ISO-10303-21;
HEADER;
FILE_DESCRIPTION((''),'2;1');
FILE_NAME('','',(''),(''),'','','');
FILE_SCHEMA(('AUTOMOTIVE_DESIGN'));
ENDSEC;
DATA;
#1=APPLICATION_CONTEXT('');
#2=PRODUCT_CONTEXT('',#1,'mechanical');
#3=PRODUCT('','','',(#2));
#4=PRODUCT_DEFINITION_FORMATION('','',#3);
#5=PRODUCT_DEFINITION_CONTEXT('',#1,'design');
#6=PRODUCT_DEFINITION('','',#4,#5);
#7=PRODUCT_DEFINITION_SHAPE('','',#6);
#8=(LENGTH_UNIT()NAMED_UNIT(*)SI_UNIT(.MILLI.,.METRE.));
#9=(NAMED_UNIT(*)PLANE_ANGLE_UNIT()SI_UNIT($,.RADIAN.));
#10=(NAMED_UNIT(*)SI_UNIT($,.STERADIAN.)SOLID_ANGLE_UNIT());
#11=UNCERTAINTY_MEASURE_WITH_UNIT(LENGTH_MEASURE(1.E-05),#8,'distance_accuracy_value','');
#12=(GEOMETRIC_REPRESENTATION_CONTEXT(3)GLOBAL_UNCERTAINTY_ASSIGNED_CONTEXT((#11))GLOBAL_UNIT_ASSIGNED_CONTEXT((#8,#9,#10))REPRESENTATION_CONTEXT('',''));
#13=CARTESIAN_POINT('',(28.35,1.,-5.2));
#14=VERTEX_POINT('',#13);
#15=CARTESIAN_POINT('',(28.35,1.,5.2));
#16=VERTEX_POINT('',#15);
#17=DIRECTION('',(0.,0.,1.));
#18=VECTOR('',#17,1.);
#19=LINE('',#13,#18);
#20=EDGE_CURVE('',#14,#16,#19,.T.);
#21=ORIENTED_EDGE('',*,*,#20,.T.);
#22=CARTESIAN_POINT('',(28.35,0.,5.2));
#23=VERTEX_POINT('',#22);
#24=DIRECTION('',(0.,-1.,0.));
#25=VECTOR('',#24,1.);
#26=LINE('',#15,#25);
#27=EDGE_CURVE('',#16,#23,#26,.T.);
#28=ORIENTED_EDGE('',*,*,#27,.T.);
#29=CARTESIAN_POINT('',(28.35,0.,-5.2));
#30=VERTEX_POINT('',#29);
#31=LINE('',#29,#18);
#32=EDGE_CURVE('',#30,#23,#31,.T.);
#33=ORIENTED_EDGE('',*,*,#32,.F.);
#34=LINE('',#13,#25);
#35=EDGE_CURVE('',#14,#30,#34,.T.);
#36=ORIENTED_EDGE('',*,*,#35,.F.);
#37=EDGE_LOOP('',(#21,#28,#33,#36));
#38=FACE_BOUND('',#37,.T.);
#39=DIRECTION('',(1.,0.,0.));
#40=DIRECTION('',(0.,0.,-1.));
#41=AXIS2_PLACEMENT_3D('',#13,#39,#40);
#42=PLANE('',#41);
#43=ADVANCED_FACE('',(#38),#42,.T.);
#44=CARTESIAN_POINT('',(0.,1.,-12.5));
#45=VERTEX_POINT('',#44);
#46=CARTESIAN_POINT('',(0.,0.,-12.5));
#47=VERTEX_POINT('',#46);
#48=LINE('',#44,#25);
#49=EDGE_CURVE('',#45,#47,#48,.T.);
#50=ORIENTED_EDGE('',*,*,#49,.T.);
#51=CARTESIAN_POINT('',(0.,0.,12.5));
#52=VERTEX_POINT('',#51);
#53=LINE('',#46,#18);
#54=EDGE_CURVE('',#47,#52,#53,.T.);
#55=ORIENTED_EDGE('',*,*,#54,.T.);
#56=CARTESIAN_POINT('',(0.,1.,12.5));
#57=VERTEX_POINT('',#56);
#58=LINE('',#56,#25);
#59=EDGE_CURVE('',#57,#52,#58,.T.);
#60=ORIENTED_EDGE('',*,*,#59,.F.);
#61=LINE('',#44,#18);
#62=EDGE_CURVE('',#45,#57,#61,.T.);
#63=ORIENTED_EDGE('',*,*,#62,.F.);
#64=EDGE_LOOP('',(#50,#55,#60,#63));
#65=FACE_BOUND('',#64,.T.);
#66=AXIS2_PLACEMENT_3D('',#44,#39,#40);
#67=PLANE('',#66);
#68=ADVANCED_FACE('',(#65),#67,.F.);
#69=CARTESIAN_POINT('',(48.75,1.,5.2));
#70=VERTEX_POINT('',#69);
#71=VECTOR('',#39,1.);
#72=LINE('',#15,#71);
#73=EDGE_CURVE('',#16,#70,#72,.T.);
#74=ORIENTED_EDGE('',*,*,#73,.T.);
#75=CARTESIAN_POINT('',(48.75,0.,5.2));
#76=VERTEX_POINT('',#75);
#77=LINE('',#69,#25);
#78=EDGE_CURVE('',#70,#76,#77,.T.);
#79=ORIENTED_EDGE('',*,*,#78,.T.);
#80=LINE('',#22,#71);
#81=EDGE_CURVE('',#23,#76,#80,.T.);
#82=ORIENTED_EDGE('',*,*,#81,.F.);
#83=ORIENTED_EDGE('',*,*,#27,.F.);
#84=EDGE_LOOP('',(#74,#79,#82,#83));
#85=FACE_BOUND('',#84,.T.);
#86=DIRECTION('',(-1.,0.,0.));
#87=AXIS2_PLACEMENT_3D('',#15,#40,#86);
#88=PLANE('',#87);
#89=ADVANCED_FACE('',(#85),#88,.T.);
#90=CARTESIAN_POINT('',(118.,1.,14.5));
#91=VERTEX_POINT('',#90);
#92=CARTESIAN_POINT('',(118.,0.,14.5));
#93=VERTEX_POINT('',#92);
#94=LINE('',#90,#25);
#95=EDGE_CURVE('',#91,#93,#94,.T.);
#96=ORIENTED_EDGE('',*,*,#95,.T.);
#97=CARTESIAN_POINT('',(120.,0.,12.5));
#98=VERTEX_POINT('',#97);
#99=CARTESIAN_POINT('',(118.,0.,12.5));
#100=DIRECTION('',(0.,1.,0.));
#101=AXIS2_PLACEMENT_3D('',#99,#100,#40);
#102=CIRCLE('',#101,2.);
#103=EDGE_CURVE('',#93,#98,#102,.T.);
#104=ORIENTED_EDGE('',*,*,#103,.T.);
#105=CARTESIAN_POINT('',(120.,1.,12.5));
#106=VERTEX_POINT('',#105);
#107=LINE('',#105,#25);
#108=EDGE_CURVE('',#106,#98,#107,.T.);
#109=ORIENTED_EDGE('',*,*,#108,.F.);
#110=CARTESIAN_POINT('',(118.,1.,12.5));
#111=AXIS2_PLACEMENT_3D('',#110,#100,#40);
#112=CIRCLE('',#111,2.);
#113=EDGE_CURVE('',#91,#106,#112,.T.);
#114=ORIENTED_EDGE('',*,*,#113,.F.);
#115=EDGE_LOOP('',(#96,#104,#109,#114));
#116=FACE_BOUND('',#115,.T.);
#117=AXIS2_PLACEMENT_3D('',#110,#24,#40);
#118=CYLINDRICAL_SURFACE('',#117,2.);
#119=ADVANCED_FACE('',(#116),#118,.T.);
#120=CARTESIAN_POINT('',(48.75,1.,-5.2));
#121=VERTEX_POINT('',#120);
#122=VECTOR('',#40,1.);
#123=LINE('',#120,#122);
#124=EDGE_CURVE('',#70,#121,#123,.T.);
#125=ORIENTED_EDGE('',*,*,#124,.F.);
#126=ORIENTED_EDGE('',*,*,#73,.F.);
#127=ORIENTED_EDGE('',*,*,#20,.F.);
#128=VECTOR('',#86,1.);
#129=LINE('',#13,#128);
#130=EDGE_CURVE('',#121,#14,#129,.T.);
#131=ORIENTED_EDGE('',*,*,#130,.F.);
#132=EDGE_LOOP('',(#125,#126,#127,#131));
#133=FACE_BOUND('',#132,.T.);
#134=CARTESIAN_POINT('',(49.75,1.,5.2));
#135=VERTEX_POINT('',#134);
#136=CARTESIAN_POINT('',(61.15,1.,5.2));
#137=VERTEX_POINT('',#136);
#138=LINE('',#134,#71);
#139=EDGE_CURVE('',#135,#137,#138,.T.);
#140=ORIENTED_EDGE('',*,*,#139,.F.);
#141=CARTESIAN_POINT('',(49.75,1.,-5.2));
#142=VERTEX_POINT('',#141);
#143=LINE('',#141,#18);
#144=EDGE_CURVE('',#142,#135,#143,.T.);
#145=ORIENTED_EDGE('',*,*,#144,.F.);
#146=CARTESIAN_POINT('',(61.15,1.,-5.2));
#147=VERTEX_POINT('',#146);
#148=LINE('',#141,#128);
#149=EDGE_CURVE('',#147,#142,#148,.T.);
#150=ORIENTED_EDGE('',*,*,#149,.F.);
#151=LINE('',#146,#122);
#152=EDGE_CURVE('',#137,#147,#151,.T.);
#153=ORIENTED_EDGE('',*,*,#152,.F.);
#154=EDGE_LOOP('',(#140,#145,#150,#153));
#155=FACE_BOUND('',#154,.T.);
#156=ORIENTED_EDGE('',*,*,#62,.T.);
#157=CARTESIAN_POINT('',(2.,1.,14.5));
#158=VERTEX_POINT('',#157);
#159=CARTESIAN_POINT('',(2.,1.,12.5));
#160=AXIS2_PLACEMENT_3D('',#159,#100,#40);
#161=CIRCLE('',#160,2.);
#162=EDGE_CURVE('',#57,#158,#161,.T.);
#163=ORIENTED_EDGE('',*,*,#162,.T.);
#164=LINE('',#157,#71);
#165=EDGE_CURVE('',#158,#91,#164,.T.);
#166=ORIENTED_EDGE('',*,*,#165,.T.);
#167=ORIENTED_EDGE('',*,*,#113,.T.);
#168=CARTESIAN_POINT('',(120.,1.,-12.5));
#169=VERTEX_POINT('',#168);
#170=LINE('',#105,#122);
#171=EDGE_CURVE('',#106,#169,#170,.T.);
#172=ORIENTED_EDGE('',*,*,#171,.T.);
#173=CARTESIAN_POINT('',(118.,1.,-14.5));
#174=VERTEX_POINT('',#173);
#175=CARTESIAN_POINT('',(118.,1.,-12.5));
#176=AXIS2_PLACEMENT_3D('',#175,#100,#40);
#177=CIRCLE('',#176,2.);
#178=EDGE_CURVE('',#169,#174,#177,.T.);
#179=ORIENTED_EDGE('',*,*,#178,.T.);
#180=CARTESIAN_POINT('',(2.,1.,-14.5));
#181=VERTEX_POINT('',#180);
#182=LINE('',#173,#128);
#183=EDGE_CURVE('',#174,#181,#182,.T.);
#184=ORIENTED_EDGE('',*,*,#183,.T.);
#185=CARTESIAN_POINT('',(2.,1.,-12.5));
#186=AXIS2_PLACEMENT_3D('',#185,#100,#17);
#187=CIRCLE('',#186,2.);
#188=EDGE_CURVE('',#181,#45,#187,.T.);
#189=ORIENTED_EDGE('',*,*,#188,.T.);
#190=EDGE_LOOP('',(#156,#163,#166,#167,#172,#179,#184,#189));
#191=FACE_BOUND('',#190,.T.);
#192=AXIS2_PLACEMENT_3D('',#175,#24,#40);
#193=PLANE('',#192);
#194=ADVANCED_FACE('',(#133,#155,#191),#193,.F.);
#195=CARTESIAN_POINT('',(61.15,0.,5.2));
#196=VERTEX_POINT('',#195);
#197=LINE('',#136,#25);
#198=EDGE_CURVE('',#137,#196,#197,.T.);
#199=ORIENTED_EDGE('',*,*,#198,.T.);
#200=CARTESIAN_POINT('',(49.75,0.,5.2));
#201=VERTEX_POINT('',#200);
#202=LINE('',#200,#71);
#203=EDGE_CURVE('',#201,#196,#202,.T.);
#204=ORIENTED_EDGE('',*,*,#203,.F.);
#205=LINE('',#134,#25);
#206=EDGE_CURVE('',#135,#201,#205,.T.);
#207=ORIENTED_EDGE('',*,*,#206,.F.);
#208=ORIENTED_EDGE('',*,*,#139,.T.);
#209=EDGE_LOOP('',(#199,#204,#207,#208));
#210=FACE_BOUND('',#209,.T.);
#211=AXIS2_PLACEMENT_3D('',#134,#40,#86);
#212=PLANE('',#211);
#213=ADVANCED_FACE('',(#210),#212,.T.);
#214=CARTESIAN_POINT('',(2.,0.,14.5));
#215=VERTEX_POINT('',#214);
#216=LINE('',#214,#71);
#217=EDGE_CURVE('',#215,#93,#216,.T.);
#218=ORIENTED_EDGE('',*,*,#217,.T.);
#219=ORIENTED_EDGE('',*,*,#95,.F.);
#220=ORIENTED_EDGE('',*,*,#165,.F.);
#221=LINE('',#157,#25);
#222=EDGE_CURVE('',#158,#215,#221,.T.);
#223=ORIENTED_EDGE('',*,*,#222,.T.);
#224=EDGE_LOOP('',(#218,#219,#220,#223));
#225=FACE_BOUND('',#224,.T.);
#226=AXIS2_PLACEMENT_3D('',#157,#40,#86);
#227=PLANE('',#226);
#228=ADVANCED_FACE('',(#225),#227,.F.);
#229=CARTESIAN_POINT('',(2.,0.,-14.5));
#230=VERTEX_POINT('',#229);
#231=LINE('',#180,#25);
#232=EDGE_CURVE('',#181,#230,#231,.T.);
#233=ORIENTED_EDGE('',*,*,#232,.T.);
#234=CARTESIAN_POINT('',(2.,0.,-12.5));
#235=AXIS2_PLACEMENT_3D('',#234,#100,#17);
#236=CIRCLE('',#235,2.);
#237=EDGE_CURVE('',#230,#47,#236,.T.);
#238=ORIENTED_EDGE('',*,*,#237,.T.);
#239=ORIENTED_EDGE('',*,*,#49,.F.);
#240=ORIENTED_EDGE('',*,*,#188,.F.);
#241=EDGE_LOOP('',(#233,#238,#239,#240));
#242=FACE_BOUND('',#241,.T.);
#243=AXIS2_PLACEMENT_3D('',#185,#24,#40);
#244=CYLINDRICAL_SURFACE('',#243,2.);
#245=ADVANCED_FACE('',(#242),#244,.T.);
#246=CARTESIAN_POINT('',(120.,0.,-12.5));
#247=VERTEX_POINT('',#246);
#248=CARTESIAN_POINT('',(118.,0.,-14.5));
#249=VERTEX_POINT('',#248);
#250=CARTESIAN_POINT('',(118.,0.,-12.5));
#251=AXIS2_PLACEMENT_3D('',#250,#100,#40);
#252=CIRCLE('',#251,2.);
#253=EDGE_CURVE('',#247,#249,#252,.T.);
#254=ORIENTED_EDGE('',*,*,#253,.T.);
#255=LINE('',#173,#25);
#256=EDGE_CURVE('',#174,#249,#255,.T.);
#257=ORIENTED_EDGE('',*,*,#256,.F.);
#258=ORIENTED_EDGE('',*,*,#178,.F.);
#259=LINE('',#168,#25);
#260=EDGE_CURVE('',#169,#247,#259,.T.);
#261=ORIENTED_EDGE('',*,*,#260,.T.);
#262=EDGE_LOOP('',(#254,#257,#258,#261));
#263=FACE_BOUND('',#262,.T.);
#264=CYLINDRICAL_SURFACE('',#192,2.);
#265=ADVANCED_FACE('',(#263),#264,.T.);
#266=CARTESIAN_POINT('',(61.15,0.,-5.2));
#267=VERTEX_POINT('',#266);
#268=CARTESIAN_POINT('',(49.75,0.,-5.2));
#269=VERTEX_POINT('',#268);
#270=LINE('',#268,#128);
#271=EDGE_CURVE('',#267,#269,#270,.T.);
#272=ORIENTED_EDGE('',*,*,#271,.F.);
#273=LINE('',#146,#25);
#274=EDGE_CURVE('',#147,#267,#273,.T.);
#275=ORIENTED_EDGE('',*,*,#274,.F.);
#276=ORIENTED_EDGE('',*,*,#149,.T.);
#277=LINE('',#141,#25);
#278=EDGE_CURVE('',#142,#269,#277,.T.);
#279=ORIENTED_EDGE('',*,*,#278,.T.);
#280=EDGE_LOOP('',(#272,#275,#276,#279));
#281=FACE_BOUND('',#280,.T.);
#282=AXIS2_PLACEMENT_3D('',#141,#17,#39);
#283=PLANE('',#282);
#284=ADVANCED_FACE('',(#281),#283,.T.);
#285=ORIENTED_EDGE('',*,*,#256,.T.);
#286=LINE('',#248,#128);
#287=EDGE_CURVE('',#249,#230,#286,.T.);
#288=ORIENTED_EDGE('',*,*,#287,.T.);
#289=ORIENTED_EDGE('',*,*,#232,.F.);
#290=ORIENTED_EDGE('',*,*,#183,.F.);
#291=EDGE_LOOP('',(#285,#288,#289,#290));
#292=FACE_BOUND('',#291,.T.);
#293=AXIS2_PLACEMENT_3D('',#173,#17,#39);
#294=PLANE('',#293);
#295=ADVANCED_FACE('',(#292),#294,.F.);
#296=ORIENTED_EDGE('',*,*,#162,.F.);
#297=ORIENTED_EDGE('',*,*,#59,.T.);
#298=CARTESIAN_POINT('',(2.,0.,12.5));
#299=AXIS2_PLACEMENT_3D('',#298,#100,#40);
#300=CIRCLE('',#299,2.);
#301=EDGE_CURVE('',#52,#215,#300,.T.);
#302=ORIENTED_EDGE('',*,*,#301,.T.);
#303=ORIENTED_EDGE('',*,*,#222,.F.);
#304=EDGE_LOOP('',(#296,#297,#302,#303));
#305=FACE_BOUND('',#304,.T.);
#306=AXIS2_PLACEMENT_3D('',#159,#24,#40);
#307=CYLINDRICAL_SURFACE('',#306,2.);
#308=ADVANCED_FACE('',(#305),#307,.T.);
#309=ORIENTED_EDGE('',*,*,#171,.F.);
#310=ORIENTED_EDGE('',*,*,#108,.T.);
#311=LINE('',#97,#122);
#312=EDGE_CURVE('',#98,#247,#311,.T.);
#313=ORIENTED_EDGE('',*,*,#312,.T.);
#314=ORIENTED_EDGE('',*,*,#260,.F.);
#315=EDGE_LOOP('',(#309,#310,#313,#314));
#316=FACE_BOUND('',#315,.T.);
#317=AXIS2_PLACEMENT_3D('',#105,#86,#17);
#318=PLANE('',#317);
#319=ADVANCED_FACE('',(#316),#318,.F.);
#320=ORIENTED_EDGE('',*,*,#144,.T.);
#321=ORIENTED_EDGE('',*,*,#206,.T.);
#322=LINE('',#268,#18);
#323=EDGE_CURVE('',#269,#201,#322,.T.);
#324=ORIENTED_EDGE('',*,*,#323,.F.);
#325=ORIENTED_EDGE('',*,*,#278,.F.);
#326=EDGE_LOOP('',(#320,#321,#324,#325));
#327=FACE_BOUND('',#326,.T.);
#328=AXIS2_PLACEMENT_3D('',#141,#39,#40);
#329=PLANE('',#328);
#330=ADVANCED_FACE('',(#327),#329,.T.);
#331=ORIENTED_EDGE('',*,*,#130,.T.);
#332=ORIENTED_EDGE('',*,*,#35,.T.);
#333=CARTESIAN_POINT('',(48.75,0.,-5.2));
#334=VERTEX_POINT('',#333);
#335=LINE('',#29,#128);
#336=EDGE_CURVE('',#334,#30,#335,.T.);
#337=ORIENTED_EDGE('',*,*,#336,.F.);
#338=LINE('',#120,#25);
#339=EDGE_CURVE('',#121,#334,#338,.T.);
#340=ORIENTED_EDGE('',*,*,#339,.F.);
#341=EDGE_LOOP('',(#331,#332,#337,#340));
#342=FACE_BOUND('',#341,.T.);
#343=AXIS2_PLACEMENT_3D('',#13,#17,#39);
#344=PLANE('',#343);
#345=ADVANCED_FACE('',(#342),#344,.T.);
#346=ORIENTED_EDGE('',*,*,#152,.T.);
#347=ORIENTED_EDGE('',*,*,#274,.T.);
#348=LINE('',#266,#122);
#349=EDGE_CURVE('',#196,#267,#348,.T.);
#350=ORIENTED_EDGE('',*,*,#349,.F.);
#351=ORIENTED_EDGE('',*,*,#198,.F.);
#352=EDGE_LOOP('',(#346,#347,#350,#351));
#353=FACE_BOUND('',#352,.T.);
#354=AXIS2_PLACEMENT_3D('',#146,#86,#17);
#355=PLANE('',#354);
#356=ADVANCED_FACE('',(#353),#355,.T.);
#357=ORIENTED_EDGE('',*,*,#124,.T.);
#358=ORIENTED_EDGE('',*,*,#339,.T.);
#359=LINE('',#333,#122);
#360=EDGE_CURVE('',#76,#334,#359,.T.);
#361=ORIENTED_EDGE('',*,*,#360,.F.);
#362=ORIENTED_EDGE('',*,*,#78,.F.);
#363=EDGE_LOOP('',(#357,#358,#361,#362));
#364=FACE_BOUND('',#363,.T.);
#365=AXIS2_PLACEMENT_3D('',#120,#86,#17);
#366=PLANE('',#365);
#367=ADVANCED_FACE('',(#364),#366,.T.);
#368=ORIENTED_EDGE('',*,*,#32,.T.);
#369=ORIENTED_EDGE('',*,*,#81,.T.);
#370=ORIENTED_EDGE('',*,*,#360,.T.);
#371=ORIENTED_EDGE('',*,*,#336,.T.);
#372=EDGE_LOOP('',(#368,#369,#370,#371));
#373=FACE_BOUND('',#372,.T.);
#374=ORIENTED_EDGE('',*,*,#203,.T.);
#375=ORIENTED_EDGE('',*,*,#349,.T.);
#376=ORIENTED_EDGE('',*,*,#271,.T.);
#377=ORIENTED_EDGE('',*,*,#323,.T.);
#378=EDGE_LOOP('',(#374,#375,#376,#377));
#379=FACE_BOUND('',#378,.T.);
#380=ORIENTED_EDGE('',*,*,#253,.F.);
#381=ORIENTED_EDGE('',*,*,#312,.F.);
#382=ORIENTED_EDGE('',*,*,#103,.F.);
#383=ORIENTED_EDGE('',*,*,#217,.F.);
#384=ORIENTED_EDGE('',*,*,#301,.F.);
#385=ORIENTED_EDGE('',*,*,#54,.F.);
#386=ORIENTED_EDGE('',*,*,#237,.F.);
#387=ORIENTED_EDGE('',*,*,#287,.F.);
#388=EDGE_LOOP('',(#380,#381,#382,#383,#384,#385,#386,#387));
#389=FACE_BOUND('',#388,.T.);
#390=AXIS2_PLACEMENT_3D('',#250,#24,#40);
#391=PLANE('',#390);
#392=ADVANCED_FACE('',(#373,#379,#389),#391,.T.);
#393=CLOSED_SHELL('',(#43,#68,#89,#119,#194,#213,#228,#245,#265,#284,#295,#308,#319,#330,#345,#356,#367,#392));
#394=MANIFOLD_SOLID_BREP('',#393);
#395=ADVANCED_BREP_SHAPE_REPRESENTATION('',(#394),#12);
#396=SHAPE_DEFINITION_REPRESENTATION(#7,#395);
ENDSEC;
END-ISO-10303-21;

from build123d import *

# Parameters (mm, degrees)
SKETCH2_W           = 20.4
SKETCH2_H           = 10.4
SKETCH2_W_2         = 11.4
BOSS_EXTRUDE1_DEPTH = 1


with BuildPart() as part:
    # Sketch2 → Boss-Extrude1 (new body)
    with BuildSketch(Plane(origin=(0, 0, 0), x_dir=(1, 0, 0), z_dir=(0, 1, 0))):
        with BuildLine():
            Line((0, 12.5), (0, -12.5))
            ThreePointArc((0, -12.5), (0.585786438, -13.914213562), (2, -14.5))
            Line((2, -14.5), (118, -14.5))
            ThreePointArc((118, -14.5), (119.414213562, -13.914213562), (120, -12.5))
            Line((120, -12.5), (120, 12.5))
            ThreePointArc((120, 12.5), (119.414213562, 13.914213562), (118, 14.5))
            Line((118, 14.5), (2, 14.5))
            ThreePointArc((2, 14.5), (0.585786438, 13.914213562), (0, 12.5))
        make_face()
        with Locations((38.55, 0)):
            Rectangle(SKETCH2_W, SKETCH2_H, mode=Mode.SUBTRACT)
        with Locations((55.45, 0)):
            Rectangle(SKETCH2_W_2, SKETCH2_H, mode=Mode.SUBTRACT)
    extrude(amount=BOSS_EXTRUDE1_DEPTH)


solid = part.part
